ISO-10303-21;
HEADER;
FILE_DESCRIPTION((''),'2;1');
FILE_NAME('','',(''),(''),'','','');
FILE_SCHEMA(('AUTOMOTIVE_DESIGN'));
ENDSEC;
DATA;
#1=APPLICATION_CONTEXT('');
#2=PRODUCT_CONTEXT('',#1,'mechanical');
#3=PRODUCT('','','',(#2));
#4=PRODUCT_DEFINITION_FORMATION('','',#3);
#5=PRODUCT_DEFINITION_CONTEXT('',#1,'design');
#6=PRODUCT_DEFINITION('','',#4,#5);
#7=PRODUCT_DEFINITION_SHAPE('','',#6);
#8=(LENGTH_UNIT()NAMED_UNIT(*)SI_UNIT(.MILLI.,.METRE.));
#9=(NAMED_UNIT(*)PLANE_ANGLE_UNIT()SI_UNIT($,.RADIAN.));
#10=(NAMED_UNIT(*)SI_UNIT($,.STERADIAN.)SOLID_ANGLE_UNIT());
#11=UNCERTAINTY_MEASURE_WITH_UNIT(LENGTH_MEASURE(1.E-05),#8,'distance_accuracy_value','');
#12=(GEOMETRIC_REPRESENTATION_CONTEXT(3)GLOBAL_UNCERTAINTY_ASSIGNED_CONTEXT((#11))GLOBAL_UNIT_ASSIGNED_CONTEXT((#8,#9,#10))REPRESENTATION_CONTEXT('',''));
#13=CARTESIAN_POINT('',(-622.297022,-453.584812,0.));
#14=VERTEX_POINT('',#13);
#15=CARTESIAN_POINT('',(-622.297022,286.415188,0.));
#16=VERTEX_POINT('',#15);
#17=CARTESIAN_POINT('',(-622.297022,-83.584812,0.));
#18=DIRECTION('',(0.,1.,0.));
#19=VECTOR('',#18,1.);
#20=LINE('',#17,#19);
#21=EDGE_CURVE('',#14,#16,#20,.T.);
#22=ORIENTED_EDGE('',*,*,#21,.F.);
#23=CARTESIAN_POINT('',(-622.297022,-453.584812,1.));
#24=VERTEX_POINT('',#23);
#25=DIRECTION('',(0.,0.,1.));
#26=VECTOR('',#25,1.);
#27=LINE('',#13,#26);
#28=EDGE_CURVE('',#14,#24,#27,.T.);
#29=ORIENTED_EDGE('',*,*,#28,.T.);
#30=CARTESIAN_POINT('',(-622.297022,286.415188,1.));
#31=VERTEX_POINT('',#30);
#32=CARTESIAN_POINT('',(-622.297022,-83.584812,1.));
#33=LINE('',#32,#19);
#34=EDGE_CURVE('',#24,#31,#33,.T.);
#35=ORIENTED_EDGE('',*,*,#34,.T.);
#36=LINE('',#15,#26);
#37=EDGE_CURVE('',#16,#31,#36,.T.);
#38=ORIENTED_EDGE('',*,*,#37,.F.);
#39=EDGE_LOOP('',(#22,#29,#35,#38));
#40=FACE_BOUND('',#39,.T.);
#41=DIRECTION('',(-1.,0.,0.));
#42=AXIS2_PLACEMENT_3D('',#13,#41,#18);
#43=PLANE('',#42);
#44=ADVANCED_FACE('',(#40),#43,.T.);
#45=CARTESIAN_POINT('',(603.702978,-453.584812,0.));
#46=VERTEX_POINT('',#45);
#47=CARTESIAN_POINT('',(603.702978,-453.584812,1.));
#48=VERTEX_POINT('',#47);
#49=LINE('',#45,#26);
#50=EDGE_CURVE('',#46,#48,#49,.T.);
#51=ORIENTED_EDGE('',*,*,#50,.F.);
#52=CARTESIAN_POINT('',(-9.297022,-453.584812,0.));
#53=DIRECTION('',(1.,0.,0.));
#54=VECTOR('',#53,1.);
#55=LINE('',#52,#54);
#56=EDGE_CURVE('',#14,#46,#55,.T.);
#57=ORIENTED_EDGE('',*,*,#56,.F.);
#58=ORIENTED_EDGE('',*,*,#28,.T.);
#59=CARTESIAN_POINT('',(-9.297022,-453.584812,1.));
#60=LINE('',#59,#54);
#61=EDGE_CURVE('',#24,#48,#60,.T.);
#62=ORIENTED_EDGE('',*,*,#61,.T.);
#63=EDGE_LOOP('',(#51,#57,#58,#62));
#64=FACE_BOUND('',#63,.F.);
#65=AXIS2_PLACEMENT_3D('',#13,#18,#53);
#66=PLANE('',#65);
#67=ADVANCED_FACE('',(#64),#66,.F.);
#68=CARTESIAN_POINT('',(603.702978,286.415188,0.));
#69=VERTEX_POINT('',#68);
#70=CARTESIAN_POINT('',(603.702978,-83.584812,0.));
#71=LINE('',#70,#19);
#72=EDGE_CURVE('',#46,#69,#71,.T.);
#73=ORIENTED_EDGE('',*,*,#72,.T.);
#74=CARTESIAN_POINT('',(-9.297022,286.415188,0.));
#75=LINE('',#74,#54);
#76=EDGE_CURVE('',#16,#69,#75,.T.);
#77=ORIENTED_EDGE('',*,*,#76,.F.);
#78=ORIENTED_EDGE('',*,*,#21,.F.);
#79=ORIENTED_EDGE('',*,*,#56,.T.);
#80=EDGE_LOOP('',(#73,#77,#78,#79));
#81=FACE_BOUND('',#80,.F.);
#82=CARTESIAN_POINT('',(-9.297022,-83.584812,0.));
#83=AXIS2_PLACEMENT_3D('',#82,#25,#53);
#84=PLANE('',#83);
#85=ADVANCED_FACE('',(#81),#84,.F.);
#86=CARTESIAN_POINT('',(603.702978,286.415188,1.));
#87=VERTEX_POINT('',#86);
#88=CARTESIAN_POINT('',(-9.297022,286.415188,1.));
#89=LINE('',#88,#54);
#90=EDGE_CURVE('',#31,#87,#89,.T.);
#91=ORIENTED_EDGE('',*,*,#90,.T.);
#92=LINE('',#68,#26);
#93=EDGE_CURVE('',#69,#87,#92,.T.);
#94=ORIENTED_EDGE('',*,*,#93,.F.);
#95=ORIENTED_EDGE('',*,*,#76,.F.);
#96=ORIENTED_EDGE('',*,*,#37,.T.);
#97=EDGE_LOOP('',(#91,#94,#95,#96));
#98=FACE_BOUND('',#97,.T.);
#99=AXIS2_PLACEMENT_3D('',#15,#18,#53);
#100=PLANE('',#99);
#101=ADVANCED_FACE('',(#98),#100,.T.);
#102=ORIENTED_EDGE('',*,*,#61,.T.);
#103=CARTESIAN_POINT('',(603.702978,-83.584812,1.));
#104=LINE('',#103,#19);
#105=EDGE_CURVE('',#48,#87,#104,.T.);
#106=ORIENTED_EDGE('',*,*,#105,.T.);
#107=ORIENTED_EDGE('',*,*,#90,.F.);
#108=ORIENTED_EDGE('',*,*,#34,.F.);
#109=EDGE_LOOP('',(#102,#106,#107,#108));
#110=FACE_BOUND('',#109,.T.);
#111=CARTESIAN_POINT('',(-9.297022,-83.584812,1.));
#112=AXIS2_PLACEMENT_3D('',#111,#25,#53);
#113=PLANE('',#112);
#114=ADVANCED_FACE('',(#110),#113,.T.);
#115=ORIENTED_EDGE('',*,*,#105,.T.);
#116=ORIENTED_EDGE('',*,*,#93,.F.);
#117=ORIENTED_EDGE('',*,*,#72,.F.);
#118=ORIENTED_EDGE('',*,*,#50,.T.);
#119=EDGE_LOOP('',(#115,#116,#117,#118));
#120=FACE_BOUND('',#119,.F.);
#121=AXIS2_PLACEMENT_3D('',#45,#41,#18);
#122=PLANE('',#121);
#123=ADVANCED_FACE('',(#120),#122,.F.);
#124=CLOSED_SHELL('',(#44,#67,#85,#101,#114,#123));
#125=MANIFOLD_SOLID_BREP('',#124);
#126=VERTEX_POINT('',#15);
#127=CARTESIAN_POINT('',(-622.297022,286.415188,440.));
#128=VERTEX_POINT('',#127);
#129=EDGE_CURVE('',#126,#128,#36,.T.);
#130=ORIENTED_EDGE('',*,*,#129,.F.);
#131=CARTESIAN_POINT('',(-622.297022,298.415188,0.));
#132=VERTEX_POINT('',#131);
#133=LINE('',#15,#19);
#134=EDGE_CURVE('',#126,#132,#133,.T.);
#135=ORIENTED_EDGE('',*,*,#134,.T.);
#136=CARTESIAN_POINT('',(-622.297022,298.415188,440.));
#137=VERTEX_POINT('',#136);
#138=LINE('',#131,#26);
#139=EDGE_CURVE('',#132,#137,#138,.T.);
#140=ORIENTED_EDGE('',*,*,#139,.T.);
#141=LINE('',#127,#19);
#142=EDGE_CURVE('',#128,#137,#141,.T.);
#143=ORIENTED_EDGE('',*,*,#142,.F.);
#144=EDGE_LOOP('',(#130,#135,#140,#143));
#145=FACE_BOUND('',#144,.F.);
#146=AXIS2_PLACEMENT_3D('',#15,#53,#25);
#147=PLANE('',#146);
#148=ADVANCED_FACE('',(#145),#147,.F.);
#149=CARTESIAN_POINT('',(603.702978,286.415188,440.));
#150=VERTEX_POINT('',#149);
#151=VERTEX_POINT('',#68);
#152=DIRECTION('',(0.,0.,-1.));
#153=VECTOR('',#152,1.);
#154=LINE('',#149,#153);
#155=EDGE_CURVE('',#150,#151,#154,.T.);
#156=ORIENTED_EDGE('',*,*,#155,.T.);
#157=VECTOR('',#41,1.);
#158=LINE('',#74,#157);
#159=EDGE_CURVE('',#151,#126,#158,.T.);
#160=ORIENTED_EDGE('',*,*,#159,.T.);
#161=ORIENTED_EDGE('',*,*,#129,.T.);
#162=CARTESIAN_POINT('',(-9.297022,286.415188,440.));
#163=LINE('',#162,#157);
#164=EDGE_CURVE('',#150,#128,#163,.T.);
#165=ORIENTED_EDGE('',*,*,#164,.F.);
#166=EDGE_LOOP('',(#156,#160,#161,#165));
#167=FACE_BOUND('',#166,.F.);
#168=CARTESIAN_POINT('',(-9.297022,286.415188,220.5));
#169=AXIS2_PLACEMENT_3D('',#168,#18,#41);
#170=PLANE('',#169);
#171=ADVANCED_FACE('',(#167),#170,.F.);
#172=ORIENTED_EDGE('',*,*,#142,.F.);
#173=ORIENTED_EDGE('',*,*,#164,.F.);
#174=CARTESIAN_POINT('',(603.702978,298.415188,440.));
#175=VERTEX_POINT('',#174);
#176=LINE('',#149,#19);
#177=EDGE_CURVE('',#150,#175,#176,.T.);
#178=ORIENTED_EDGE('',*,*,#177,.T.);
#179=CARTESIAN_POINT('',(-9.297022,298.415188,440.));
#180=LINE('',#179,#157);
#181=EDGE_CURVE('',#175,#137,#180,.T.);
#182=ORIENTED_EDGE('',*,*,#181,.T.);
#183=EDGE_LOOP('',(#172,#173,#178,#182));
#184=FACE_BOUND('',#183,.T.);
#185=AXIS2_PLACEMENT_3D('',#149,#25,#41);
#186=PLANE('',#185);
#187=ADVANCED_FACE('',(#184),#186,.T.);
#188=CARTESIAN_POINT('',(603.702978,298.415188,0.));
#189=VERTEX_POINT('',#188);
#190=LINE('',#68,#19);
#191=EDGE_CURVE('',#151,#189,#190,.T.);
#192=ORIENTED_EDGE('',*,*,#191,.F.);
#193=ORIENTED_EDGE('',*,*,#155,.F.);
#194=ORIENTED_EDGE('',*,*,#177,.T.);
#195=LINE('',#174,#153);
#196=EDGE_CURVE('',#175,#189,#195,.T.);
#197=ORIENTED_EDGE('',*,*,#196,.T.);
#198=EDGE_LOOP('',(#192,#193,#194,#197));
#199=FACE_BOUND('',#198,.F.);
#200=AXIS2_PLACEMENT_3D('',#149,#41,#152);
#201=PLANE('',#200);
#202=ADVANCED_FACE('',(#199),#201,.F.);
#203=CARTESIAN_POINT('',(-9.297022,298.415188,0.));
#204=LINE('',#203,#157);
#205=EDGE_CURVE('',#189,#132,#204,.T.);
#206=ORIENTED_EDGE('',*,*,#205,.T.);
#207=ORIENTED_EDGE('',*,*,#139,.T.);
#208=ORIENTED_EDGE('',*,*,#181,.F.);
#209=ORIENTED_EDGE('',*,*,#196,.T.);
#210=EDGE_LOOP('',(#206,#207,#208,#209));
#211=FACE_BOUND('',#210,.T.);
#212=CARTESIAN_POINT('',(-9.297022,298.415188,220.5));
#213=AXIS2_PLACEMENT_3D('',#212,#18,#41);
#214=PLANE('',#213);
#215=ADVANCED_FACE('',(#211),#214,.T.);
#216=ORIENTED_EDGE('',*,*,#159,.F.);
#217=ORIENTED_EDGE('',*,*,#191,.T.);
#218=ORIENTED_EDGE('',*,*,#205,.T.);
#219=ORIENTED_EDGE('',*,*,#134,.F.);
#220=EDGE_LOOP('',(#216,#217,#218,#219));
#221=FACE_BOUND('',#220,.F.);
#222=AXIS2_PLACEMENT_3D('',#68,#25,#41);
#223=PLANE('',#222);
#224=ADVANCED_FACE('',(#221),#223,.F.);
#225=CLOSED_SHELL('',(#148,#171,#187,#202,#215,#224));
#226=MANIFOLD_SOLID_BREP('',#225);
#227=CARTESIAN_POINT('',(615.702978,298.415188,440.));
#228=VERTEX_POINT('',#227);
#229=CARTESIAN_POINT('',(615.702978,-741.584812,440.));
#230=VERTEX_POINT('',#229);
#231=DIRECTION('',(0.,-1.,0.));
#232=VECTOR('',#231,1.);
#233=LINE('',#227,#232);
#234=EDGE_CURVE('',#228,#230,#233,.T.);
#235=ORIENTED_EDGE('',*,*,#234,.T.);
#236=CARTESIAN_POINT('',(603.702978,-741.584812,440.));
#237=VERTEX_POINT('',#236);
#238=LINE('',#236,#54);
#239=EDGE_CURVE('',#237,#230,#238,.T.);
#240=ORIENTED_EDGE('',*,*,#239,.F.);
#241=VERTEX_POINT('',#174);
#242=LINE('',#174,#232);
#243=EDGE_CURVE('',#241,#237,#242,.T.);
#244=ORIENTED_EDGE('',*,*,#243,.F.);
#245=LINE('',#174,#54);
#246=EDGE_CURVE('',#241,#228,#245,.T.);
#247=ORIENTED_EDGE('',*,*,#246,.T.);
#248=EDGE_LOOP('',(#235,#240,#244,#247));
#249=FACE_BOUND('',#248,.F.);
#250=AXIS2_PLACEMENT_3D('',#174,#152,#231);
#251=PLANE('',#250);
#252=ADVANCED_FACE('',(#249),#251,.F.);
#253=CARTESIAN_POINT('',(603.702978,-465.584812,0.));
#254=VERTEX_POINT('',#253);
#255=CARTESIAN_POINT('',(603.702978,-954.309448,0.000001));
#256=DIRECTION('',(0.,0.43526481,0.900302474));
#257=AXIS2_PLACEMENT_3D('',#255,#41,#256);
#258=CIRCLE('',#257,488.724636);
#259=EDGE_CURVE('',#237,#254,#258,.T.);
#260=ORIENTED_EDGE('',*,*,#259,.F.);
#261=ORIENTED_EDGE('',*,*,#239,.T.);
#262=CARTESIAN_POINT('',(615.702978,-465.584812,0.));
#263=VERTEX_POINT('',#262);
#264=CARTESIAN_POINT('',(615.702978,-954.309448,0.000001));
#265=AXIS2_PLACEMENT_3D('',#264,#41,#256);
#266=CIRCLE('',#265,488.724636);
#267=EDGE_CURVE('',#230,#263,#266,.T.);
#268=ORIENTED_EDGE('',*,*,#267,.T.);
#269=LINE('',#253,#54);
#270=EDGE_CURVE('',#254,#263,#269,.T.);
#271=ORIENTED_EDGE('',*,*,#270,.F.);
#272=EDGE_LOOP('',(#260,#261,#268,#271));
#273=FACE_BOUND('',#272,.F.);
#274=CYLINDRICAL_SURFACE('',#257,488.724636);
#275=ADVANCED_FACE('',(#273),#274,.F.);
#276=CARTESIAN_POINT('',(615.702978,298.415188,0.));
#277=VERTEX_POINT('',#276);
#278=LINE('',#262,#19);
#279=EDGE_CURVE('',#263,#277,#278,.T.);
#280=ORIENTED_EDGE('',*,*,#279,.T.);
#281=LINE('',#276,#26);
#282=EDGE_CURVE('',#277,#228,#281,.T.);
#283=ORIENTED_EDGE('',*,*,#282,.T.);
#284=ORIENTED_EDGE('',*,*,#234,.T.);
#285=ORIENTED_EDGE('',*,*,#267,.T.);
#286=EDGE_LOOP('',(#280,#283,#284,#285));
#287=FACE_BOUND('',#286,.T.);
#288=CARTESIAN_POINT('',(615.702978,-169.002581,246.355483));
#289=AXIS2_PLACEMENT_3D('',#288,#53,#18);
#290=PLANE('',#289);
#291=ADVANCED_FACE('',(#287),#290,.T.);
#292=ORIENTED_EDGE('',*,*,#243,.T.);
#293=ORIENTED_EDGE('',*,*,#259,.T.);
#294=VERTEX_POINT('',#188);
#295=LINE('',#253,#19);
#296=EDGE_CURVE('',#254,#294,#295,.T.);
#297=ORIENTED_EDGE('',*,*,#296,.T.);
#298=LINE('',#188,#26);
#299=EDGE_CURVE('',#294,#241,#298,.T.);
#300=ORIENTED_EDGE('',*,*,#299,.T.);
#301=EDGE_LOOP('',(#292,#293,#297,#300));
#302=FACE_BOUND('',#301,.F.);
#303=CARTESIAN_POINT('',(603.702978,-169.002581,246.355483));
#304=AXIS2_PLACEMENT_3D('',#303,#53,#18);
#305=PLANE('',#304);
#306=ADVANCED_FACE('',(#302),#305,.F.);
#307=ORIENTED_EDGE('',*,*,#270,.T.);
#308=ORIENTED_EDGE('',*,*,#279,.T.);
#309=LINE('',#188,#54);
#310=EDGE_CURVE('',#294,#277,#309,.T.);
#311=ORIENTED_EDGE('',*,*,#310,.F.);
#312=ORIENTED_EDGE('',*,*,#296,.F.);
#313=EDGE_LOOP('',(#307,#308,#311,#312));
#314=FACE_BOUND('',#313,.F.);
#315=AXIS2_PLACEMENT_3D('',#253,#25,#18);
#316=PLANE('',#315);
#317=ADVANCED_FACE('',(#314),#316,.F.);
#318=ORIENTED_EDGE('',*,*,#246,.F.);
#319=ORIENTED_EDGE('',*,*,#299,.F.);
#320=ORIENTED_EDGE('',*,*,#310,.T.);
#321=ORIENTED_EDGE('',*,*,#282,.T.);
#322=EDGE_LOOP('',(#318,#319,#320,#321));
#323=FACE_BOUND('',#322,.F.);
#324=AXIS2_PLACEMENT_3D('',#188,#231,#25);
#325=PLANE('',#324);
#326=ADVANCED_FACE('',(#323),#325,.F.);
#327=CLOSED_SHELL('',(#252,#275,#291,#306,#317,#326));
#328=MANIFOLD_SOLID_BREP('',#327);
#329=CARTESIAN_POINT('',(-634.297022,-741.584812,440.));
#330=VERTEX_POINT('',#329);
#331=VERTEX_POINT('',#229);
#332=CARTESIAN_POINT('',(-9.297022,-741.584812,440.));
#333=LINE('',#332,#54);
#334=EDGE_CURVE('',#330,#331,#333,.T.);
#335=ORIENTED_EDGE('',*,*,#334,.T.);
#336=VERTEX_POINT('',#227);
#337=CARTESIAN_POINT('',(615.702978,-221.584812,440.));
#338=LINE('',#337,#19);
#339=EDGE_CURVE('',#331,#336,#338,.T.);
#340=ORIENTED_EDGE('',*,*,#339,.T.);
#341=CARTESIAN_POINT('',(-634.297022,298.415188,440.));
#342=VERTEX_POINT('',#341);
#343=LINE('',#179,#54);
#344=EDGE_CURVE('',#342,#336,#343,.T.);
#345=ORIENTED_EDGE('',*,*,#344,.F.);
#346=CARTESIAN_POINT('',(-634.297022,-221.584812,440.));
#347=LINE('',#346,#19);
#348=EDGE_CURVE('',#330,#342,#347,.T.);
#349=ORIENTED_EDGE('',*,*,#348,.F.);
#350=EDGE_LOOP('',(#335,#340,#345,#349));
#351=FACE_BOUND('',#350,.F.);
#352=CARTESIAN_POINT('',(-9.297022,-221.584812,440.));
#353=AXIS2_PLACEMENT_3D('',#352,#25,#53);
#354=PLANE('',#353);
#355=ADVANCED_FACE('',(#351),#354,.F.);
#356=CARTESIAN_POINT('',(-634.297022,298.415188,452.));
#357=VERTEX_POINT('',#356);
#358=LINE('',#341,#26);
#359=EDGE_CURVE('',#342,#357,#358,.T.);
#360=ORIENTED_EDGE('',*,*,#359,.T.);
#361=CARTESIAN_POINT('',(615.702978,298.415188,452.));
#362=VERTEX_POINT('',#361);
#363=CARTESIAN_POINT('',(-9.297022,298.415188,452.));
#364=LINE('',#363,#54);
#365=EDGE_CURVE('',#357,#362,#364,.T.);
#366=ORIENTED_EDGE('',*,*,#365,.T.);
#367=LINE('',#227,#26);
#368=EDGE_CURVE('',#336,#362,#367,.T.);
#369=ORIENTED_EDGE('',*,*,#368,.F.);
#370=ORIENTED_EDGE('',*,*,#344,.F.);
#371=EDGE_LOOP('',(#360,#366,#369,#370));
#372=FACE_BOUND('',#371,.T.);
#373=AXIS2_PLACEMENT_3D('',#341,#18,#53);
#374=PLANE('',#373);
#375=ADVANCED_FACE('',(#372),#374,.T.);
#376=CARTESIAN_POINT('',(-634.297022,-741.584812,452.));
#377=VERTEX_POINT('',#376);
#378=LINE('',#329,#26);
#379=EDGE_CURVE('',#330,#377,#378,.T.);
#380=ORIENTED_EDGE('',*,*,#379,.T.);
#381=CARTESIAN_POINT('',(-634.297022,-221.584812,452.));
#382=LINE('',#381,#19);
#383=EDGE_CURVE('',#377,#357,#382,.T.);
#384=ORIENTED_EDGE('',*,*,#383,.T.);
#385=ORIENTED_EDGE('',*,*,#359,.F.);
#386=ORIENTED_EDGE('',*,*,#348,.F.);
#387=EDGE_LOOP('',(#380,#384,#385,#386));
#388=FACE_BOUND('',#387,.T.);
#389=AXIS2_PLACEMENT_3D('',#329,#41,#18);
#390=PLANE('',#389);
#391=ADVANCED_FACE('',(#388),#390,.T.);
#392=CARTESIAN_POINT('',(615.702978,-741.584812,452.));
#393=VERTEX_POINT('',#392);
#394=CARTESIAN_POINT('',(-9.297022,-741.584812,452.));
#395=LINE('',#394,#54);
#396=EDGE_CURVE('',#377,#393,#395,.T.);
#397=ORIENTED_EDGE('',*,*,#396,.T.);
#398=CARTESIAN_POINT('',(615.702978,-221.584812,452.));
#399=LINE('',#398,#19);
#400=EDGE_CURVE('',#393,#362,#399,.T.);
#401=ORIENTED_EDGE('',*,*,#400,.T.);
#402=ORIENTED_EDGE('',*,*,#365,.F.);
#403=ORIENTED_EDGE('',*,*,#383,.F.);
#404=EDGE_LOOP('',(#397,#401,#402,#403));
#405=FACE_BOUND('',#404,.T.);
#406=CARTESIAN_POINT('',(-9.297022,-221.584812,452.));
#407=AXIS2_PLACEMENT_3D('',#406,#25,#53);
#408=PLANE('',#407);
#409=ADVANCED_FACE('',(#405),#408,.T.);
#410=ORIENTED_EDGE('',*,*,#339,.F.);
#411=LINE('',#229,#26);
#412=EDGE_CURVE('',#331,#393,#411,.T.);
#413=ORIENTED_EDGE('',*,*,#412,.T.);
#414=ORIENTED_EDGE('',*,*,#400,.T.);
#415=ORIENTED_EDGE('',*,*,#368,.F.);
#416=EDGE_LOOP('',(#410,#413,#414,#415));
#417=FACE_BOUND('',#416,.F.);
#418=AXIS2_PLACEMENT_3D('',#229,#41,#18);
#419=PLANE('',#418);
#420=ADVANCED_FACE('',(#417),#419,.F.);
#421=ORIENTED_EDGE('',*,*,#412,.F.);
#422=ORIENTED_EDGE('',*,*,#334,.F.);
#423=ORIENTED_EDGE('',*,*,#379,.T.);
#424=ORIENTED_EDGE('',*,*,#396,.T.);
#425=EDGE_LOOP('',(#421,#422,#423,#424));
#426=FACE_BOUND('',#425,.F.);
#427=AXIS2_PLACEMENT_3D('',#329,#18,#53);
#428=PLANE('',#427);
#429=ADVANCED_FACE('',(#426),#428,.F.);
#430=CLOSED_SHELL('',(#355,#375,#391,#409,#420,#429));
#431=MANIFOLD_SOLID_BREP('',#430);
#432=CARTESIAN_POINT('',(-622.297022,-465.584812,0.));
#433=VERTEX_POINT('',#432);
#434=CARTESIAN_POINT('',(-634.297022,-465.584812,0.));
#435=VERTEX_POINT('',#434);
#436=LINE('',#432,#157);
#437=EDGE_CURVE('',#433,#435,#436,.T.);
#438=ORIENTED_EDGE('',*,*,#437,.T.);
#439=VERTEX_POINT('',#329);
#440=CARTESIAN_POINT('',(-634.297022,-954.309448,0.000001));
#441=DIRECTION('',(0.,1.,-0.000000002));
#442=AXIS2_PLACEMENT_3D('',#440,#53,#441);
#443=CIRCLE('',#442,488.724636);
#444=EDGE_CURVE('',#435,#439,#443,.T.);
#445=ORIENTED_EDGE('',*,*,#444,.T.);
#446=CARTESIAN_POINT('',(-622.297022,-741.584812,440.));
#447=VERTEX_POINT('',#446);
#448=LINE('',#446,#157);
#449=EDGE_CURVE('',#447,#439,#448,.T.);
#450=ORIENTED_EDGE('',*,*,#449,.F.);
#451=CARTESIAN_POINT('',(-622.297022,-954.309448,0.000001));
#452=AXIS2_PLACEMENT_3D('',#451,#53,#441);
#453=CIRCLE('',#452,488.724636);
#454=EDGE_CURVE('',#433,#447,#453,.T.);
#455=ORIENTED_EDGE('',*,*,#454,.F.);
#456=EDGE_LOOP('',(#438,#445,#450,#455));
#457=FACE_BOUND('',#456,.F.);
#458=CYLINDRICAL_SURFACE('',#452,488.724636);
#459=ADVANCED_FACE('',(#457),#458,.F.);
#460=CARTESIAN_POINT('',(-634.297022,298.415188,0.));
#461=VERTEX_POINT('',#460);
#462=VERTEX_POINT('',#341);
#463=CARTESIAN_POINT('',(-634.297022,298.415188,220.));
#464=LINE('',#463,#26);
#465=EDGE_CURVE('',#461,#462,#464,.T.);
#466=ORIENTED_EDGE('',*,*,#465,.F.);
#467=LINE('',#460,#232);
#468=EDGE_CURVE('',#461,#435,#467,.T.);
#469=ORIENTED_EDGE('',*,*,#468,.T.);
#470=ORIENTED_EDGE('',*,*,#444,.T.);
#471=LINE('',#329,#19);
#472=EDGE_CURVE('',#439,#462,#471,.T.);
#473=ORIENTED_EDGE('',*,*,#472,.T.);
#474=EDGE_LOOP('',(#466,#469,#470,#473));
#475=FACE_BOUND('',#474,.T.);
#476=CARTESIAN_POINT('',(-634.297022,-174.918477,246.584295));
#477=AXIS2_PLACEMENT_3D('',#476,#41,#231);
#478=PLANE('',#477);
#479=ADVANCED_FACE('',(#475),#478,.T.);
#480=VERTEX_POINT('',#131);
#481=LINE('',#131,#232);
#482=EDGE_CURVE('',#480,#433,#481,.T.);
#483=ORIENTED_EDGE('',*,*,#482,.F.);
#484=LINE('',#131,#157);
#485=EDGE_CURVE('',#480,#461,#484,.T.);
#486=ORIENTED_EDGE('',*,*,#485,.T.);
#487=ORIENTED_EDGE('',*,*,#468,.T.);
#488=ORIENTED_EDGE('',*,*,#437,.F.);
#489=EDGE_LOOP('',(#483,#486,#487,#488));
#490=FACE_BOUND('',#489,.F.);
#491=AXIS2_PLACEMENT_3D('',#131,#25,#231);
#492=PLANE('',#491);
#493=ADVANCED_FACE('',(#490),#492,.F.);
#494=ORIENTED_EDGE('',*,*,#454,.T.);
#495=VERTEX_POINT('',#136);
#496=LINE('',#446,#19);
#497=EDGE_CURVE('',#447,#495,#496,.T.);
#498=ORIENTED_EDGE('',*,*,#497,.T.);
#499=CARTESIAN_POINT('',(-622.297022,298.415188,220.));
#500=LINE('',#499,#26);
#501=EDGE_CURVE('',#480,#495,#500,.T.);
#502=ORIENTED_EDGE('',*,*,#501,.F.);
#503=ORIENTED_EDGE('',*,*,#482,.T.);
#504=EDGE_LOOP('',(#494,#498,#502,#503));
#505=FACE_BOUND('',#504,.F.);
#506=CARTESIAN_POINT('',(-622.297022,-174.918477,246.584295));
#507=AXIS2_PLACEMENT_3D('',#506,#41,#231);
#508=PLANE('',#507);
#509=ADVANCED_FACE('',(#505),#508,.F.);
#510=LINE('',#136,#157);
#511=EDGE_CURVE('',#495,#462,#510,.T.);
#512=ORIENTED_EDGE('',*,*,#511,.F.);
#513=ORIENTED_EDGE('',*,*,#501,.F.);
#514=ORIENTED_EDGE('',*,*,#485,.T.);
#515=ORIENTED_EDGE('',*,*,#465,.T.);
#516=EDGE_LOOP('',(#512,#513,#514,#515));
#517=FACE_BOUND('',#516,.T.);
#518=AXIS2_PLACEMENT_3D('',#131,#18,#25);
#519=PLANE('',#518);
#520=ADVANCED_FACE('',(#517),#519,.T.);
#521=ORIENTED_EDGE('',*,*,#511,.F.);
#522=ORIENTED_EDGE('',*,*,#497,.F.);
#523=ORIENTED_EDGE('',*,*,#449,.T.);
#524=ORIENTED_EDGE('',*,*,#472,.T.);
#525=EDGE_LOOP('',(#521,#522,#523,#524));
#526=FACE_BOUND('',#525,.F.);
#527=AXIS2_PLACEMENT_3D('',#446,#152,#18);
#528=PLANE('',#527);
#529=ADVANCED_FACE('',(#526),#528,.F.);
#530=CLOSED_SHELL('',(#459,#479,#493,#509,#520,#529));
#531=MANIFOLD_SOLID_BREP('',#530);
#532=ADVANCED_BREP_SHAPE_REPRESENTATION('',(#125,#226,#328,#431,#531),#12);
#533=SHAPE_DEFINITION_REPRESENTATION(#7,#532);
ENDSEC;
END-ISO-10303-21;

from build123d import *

# Parameters (mm, degrees)
F0_W      = 1226
F0_H      = 740
F1_DEPTH  = 1
F2_W      = 1226
F2_H      = 439
F2_H_2    = 1
F3_DEPTH  = 12
F5_W      = 12
F5_H      = 440
F6_DEPTH  = 12
F8_DEPTH  = 12
F9_W      = 1250
F9_H      = 1040
F10_DEPTH = 12


with BuildPart() as f1:
    # F0 (on Top) → F1 (new body)
    with BuildSketch(Plane.XY):
        with Locations((-9.297022, -83.584812)):
            Rectangle(F0_W, F0_H)
    extrude(amount=F1_DEPTH)


with BuildPart() as f3:
    # F2 (on face) → F3 (new body)
    with BuildSketch(Plane(origin=(0, 286.415188, 0), x_dir=(-1, 0, 0), z_dir=(0, 1, 0))):
        with Locations((9.297022, 220.5)):
            Rectangle(F2_W, F2_H)
        with Locations((9.297022, 0.5)):
            Rectangle(F2_W, F2_H_2)
    extrude(amount=F3_DEPTH)


with BuildPart() as f6:
    # F5 (on face) → F6 (new body)
    with BuildSketch(Plane(origin=(-622.297022, 0, 0), x_dir=(0, -1, 0), z_dir=(-1, 0, 0))):
        with BuildLine():
            Line((741.584812, 440), (-286.415188, 440))
            Line((-286.415188, 440), (-286.415188, 0))
            Line((-286.415188, 0), (465.584812, 0))
            ThreePointArc((465.584812, 0), (540.295233, 259.699827), (741.584812, 440))
        make_face()
        with Locations((-292.415188, 220)):
            Rectangle(F5_W, F5_H)
    extrude(amount=F6_DEPTH)


with BuildPart() as f8:
    # F7 (on face) → F8 (new body)
    with BuildSketch(Plane.YZ.offset(603.702978)):
        with BuildLine():
            ThreePointArc((-741.584812, 440), (-540.295233, 259.699827), (-465.584812, 0))
            Line((-465.584812, 0), (298.415188, 0))
            Line((298.415188, 0), (298.415188, 440))
            Line((298.415188, 440), (-741.584812, 440))
        make_face()
    extrude(amount=F8_DEPTH)


with BuildPart() as f10:
    # F9 (on face) → F10 (new body)
    with BuildSketch(Plane.XY.offset(440)):
        with Locations((-9.297022, -221.584812)):
            Rectangle(F9_W, F9_H)
    extrude(amount=F10_DEPTH)


solid = Compound([f1.part, f3.part, f6.part, f8.part, f10.part])
